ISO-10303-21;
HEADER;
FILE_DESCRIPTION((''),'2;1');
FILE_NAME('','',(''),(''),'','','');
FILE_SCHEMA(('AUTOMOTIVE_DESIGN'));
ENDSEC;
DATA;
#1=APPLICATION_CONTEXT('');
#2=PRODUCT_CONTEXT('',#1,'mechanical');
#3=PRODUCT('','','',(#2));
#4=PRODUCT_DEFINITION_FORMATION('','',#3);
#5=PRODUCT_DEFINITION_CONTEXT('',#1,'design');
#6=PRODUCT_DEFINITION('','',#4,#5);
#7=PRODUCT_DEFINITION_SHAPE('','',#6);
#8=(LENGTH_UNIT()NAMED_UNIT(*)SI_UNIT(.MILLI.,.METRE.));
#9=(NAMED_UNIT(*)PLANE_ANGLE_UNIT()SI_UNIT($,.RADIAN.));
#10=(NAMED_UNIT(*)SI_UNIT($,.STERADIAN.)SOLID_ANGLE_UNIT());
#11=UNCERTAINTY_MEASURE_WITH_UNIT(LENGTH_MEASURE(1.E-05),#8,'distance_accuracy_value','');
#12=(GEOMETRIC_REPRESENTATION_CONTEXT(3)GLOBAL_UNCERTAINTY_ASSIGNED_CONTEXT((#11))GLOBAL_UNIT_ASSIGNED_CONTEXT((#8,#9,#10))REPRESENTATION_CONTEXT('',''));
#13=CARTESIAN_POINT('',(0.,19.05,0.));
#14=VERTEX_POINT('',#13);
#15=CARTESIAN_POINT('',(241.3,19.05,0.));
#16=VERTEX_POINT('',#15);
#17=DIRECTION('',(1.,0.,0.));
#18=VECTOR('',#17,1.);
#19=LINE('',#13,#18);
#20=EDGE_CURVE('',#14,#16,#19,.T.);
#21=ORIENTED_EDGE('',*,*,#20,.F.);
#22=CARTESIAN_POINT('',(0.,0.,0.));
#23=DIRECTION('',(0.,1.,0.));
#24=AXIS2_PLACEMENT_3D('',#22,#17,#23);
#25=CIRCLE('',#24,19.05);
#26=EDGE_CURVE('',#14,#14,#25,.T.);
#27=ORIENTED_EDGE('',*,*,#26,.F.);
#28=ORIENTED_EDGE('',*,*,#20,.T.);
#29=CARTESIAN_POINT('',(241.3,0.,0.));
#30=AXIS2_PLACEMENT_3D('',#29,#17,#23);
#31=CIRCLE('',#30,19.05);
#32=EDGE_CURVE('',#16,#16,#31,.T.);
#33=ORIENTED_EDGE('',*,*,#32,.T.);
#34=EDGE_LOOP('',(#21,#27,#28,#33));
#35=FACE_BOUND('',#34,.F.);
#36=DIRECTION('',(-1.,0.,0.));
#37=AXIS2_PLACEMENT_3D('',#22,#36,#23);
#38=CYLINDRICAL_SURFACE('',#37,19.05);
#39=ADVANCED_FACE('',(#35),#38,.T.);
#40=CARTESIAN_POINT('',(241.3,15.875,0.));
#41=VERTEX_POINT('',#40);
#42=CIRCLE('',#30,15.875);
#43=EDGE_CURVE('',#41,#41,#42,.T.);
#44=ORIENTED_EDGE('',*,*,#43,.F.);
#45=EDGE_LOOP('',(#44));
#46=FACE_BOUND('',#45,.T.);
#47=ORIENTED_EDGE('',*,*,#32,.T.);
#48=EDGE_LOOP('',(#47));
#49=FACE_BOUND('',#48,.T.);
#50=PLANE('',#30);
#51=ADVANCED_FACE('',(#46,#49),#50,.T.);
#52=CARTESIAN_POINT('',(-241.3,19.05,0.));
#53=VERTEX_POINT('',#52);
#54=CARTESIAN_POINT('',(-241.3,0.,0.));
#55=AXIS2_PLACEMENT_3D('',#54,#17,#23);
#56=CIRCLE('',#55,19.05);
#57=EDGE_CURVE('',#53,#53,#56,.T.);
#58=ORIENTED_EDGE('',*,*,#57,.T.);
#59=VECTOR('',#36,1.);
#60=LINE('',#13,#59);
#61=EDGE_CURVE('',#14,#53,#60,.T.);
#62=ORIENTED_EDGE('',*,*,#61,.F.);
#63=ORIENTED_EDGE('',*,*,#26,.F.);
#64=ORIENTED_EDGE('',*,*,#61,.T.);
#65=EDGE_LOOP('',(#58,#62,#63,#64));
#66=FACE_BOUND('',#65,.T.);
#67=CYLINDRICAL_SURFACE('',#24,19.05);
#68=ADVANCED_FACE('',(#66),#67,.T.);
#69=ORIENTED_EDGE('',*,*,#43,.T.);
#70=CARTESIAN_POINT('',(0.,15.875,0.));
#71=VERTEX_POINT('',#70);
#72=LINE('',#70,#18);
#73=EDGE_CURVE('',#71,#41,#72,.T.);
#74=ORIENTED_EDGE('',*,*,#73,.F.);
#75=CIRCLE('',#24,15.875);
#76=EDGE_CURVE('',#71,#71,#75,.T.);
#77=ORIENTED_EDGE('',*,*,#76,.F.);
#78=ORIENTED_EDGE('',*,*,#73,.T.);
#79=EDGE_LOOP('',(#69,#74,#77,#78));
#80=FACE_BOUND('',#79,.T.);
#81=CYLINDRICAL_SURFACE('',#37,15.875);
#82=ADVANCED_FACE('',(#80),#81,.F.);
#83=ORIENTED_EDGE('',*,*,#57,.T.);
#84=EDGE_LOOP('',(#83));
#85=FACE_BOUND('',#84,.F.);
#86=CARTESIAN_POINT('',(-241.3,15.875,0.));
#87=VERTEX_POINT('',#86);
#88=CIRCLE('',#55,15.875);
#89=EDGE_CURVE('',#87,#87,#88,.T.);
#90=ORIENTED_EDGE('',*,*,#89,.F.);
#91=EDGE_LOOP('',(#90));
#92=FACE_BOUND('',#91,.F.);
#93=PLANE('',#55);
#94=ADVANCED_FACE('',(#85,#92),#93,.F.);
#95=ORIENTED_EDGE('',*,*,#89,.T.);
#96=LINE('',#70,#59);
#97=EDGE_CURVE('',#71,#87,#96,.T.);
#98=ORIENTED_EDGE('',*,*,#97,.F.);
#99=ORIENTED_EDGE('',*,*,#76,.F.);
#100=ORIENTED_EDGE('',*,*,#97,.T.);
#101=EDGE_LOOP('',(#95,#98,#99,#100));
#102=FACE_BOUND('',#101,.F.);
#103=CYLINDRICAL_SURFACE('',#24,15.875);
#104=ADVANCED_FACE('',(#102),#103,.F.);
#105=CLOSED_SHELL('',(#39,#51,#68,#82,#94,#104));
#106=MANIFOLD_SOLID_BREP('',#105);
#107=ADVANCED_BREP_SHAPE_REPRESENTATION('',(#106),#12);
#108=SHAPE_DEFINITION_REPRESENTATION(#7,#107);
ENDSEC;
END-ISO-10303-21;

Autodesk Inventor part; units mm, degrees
ref_plane "YZ Plane" through (0, 0, 0) normal (1, 0, 0) x (0, 1, 0)
ref_plane "XZ Plane" through (0, 0, 0) normal (0, 1, 0) x (-1, 0, 0)
ref_plane "XY Plane" through (0, 0, 0) normal (0, 0, 1) x (1, 0, 0)
sketch "Sketch1" plane through (0, 0, 0) normal (1, 0, 0) x (0, 1, 0)
  circle A0 centre (0, 0) radius 15.875
  circle A1 centre (0, 0) radius 19.05
  dimension "d0" = 31.75
  dimension "d4" = 3.175
extrude "Extrusion1" add sketch "Sketch1" along normal mid plane 482.6
properties part number "GI - 004" material "Rubber"
